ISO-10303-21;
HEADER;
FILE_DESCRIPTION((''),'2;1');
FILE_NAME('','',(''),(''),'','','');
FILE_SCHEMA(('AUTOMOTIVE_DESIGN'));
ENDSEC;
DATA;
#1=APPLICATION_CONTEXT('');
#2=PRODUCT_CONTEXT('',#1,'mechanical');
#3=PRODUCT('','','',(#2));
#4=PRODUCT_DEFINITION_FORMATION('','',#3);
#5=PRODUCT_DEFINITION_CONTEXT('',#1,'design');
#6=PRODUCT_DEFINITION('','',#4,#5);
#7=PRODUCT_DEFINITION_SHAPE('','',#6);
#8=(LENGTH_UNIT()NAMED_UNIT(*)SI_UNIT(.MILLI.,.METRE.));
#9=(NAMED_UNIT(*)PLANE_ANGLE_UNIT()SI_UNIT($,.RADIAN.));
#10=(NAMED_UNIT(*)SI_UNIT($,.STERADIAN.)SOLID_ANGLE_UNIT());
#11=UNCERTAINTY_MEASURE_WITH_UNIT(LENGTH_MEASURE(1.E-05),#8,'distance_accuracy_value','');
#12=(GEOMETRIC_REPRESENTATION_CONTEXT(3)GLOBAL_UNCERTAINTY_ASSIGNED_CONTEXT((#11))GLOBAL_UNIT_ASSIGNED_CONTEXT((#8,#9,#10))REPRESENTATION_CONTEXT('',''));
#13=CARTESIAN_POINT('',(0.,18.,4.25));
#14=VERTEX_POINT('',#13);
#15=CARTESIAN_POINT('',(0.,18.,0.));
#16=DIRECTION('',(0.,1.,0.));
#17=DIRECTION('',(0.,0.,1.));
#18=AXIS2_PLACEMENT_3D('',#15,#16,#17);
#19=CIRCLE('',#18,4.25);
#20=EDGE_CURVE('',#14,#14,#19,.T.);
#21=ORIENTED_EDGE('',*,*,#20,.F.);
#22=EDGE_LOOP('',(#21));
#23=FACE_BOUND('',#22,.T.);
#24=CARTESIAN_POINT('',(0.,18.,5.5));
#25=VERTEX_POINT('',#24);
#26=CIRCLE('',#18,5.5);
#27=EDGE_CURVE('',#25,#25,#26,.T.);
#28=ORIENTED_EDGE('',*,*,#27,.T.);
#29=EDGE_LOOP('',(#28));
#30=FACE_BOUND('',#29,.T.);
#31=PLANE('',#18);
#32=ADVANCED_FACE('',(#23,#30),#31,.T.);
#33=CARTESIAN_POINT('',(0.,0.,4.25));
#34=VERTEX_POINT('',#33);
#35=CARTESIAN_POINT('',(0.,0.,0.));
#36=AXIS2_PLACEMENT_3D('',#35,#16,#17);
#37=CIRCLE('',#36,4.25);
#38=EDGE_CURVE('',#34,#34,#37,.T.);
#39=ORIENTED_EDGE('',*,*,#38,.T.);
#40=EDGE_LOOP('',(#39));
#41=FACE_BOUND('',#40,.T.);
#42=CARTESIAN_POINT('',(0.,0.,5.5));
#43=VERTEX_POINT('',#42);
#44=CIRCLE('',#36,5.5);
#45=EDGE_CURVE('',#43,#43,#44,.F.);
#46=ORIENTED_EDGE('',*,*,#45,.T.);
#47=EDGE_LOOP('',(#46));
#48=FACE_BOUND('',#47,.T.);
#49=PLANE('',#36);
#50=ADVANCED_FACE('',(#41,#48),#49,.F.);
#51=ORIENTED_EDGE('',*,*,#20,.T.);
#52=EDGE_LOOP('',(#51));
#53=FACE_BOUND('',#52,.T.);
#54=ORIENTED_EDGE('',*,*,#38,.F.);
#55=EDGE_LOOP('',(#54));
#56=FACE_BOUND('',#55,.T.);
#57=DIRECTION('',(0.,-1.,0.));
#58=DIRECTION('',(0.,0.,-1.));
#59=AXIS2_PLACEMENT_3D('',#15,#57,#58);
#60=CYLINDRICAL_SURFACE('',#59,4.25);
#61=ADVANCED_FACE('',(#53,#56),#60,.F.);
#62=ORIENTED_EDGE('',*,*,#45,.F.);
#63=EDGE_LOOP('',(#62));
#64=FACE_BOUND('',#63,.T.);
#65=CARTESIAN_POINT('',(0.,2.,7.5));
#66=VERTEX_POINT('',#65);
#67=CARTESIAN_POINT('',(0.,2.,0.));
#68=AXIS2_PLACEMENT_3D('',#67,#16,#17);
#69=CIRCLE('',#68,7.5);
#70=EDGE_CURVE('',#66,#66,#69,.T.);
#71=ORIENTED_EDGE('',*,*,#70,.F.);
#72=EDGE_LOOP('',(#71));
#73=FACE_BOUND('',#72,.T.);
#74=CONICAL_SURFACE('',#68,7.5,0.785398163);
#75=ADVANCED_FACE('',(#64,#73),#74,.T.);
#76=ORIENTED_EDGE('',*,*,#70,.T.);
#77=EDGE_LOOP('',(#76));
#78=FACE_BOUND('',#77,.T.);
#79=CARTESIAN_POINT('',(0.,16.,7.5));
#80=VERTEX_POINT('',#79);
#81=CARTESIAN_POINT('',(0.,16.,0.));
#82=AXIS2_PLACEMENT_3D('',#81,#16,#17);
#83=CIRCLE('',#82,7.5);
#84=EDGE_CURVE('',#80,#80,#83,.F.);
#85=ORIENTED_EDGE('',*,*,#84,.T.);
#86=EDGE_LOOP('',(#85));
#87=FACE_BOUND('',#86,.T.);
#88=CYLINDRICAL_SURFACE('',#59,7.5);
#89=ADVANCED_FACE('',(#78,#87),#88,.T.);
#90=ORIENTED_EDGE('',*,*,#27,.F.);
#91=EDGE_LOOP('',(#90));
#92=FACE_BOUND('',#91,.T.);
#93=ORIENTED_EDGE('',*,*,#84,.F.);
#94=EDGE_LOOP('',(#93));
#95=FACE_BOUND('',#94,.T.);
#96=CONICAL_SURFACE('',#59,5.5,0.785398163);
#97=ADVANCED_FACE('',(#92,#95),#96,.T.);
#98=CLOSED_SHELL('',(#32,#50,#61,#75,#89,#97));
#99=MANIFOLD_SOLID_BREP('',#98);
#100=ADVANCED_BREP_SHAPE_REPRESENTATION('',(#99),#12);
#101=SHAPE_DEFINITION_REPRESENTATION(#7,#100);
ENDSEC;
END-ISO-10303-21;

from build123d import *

# Parameters (mm, degrees)
SKETCH_1_R      = 7.5
SKETCH_1_R_2    = 4.25
EXTRUDE_1_DEPTH = 18
CHAMFER_1_SIZE  = 2


with BuildPart() as part:
    # Эскиз1 → Бобышка-Вытянуть1 (new body)
    with BuildSketch(Plane(origin=(0, 0, 0), x_dir=(1, 0, 0), z_dir=(0, 1, 0))):
        with Locations(Location((0, 0, 0), (0, 0, 270))):
            Circle(SKETCH_1_R)
        with Locations(Location((0, 0, 0), (0, 0, 270))):
            Circle(SKETCH_1_R_2, mode=Mode.SUBTRACT)
    extrude(amount=EXTRUDE_1_DEPTH)

    # Фаска1
    chamfer_1_edges = [part.edges().sort_by_distance(p)[0] for p in [
        (0, 0, -7.5),
        (0, 18, -7.5),
    ]]
    chamfer(chamfer_1_edges, length=CHAMFER_1_SIZE)


solid = part.part
